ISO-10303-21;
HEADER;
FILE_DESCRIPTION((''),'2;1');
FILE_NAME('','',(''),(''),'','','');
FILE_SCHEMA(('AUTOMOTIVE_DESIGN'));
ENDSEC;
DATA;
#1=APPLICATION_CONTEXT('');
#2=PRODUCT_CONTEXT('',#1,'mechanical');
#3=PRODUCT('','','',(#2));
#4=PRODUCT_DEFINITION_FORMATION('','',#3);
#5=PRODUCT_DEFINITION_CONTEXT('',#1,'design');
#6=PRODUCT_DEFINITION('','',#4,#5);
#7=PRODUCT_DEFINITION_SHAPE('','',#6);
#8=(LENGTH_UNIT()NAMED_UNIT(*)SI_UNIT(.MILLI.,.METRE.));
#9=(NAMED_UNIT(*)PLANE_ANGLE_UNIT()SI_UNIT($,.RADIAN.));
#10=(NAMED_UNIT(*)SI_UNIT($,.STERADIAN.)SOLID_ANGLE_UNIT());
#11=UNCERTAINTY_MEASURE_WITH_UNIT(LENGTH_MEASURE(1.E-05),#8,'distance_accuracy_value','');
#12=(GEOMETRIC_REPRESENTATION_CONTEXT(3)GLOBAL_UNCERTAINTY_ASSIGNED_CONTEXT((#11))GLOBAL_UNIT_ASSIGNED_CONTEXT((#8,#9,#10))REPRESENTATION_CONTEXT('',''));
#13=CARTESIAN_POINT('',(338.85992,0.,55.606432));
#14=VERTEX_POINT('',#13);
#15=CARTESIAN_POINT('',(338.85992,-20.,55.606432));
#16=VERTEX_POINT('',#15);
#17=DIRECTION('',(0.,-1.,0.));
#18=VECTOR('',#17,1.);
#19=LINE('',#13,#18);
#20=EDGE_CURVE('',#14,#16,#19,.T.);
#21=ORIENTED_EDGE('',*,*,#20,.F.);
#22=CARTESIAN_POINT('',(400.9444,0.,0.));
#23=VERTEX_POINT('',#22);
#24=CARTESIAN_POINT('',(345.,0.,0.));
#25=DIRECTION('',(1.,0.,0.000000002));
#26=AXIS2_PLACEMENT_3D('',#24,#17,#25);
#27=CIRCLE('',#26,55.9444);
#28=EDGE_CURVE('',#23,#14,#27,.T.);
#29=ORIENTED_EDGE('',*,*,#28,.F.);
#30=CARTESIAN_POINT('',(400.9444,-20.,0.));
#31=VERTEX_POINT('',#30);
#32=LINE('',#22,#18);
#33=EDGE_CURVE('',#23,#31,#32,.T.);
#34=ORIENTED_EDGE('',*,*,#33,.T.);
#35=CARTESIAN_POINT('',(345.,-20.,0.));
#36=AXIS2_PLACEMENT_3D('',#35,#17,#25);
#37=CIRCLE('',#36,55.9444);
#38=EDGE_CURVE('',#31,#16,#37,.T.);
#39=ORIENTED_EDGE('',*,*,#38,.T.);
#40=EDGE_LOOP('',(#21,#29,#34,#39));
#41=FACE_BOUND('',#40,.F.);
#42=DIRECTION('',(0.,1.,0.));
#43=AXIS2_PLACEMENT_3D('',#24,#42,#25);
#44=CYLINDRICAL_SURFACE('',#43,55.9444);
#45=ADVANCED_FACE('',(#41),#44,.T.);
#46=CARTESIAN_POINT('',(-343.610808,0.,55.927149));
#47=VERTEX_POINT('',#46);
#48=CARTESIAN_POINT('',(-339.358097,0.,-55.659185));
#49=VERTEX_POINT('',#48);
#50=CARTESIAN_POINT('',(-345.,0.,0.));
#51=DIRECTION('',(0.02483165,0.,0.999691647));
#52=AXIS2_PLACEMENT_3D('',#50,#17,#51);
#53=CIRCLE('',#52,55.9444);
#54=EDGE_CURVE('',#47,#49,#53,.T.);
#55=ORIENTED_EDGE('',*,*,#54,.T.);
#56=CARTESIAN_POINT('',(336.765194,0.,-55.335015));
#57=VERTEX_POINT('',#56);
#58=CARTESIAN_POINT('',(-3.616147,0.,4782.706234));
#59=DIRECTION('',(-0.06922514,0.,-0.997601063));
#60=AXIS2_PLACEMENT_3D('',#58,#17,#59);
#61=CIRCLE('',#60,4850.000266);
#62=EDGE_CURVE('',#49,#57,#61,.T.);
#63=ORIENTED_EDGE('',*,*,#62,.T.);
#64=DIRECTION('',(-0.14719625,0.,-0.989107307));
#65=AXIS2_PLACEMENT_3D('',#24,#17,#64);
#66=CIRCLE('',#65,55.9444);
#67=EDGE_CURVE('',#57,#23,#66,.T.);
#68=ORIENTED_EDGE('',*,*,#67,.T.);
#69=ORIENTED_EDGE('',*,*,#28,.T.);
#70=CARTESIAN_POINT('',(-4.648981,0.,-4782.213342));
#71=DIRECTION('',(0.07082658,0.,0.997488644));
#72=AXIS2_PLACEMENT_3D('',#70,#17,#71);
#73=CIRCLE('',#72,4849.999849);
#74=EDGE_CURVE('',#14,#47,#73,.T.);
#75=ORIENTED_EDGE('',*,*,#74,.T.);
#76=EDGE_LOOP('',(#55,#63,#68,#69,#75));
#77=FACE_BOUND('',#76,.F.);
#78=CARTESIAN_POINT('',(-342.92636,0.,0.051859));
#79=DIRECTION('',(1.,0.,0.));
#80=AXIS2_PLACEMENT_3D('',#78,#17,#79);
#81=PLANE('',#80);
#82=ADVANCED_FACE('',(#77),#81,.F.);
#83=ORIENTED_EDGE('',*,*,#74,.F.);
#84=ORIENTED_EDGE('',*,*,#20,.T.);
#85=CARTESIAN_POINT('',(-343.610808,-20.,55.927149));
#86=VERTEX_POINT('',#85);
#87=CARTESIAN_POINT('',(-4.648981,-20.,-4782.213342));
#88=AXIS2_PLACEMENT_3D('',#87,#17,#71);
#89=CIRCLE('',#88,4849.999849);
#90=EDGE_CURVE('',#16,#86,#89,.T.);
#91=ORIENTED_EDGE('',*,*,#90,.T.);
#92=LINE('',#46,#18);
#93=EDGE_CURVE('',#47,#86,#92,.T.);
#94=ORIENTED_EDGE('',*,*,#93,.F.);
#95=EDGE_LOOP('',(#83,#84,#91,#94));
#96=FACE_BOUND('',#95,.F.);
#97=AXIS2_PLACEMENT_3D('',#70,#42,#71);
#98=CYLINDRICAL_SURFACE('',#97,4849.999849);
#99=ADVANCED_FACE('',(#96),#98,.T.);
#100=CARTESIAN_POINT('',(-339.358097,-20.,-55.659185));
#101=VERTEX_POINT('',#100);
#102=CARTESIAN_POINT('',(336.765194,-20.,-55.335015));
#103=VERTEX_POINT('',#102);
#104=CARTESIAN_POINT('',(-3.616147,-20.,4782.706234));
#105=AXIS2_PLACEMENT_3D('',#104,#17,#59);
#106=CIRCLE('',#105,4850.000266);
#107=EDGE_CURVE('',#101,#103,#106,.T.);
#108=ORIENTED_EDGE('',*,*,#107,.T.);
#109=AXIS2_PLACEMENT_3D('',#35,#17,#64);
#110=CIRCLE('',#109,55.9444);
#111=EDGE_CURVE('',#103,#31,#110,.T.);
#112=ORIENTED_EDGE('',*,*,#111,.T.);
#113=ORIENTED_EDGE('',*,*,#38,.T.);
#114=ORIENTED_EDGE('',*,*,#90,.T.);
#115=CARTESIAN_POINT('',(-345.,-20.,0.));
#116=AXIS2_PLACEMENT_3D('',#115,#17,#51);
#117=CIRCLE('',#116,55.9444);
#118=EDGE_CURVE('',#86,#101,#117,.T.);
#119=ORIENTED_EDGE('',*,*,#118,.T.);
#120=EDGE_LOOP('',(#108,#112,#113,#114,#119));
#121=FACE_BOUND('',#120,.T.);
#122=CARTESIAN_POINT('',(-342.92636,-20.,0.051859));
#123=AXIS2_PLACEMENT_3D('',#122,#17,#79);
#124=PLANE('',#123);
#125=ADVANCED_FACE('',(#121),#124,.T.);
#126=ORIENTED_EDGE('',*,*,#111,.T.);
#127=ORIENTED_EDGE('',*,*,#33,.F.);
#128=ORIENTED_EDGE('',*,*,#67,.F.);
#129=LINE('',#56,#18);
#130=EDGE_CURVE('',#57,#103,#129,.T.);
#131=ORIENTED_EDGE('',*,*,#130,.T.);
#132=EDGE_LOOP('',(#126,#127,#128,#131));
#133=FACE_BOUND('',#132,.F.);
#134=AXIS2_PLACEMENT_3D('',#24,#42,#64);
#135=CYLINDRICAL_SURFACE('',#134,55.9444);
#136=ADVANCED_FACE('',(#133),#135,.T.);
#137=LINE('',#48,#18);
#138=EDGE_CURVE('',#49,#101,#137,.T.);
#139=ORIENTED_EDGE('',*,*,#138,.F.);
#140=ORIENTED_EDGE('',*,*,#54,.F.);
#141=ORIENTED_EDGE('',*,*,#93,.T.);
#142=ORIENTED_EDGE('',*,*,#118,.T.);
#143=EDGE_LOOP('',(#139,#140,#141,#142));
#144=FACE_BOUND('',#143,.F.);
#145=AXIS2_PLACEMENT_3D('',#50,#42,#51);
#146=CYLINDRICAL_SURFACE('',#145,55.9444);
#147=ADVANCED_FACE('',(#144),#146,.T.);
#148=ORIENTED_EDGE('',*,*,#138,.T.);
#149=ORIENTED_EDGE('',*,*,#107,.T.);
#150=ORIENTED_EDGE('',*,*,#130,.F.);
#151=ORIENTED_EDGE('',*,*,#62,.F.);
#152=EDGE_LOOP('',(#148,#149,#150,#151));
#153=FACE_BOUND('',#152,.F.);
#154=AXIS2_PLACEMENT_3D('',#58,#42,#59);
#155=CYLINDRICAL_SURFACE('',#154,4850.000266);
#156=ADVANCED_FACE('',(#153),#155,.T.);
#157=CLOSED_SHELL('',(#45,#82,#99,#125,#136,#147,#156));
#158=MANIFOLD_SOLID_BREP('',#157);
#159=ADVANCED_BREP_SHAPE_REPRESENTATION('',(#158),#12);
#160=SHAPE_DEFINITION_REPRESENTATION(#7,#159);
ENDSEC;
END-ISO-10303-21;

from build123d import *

# Parameters (mm, degrees)
F1_DEPTH = 20


with BuildPart() as f1:
    # F0 (on Front) → F1 (new body)
    with BuildSketch(Plane.XZ):
        with BuildLine():
            ThreePointArc((-339.358097, -55.659185), (-303.494526, -37.510952), (-289.0556, 0))
            ThreePointArc((-289.0556, 0), (-304.953194, 39.064424), (-343.610808, 55.927149))
            ThreePointArc((-343.610808, 55.927149), (-400.903815, -2.130572), (-339.358097, -55.659185))
        make_face()
        with BuildLine():
            ThreePointArc((-343.610808, 55.927149), (-304.953194, 39.064424), (-289.0556, 0))
            Line((-289.0556, 0), (289.0556, 0))
            ThreePointArc((289.0556, 0), (303.326993, 37.324742), (338.85992, 55.606432))
            ThreePointArc((338.85992, 55.606432), (-2.369796, 67.785971), (-343.610808, 55.927149))
        make_face()
        with BuildLine():
            Line((289.0556, 0), (-289.0556, 0))
            ThreePointArc((-289.0556, 0), (-303.494526, -37.510952), (-339.358097, -55.659185))
            ThreePointArc((-339.358097, -55.659185), (-1.290796, -67.293475), (336.765194, -55.335015))
            ThreePointArc((336.765194, -55.335015), (302.629803, -36.531388), (289.0556, 0))
        make_face()
        with BuildLine():
            ThreePointArc((338.85992, 55.606432), (303.326993, 37.324742), (289.0556, 0))
            ThreePointArc((289.0556, 0), (302.629803, -36.531388), (336.765194, -55.335015))
            ThreePointArc((336.765194, -55.335015), (381.531388, -42.370197), (400.9444, 0))
            ThreePointArc((400.9444, 0), (382.324742, 41.673007), (338.85992, 55.606432))
        make_face()
    extrude(amount=F1_DEPTH)


solid = f1.part
